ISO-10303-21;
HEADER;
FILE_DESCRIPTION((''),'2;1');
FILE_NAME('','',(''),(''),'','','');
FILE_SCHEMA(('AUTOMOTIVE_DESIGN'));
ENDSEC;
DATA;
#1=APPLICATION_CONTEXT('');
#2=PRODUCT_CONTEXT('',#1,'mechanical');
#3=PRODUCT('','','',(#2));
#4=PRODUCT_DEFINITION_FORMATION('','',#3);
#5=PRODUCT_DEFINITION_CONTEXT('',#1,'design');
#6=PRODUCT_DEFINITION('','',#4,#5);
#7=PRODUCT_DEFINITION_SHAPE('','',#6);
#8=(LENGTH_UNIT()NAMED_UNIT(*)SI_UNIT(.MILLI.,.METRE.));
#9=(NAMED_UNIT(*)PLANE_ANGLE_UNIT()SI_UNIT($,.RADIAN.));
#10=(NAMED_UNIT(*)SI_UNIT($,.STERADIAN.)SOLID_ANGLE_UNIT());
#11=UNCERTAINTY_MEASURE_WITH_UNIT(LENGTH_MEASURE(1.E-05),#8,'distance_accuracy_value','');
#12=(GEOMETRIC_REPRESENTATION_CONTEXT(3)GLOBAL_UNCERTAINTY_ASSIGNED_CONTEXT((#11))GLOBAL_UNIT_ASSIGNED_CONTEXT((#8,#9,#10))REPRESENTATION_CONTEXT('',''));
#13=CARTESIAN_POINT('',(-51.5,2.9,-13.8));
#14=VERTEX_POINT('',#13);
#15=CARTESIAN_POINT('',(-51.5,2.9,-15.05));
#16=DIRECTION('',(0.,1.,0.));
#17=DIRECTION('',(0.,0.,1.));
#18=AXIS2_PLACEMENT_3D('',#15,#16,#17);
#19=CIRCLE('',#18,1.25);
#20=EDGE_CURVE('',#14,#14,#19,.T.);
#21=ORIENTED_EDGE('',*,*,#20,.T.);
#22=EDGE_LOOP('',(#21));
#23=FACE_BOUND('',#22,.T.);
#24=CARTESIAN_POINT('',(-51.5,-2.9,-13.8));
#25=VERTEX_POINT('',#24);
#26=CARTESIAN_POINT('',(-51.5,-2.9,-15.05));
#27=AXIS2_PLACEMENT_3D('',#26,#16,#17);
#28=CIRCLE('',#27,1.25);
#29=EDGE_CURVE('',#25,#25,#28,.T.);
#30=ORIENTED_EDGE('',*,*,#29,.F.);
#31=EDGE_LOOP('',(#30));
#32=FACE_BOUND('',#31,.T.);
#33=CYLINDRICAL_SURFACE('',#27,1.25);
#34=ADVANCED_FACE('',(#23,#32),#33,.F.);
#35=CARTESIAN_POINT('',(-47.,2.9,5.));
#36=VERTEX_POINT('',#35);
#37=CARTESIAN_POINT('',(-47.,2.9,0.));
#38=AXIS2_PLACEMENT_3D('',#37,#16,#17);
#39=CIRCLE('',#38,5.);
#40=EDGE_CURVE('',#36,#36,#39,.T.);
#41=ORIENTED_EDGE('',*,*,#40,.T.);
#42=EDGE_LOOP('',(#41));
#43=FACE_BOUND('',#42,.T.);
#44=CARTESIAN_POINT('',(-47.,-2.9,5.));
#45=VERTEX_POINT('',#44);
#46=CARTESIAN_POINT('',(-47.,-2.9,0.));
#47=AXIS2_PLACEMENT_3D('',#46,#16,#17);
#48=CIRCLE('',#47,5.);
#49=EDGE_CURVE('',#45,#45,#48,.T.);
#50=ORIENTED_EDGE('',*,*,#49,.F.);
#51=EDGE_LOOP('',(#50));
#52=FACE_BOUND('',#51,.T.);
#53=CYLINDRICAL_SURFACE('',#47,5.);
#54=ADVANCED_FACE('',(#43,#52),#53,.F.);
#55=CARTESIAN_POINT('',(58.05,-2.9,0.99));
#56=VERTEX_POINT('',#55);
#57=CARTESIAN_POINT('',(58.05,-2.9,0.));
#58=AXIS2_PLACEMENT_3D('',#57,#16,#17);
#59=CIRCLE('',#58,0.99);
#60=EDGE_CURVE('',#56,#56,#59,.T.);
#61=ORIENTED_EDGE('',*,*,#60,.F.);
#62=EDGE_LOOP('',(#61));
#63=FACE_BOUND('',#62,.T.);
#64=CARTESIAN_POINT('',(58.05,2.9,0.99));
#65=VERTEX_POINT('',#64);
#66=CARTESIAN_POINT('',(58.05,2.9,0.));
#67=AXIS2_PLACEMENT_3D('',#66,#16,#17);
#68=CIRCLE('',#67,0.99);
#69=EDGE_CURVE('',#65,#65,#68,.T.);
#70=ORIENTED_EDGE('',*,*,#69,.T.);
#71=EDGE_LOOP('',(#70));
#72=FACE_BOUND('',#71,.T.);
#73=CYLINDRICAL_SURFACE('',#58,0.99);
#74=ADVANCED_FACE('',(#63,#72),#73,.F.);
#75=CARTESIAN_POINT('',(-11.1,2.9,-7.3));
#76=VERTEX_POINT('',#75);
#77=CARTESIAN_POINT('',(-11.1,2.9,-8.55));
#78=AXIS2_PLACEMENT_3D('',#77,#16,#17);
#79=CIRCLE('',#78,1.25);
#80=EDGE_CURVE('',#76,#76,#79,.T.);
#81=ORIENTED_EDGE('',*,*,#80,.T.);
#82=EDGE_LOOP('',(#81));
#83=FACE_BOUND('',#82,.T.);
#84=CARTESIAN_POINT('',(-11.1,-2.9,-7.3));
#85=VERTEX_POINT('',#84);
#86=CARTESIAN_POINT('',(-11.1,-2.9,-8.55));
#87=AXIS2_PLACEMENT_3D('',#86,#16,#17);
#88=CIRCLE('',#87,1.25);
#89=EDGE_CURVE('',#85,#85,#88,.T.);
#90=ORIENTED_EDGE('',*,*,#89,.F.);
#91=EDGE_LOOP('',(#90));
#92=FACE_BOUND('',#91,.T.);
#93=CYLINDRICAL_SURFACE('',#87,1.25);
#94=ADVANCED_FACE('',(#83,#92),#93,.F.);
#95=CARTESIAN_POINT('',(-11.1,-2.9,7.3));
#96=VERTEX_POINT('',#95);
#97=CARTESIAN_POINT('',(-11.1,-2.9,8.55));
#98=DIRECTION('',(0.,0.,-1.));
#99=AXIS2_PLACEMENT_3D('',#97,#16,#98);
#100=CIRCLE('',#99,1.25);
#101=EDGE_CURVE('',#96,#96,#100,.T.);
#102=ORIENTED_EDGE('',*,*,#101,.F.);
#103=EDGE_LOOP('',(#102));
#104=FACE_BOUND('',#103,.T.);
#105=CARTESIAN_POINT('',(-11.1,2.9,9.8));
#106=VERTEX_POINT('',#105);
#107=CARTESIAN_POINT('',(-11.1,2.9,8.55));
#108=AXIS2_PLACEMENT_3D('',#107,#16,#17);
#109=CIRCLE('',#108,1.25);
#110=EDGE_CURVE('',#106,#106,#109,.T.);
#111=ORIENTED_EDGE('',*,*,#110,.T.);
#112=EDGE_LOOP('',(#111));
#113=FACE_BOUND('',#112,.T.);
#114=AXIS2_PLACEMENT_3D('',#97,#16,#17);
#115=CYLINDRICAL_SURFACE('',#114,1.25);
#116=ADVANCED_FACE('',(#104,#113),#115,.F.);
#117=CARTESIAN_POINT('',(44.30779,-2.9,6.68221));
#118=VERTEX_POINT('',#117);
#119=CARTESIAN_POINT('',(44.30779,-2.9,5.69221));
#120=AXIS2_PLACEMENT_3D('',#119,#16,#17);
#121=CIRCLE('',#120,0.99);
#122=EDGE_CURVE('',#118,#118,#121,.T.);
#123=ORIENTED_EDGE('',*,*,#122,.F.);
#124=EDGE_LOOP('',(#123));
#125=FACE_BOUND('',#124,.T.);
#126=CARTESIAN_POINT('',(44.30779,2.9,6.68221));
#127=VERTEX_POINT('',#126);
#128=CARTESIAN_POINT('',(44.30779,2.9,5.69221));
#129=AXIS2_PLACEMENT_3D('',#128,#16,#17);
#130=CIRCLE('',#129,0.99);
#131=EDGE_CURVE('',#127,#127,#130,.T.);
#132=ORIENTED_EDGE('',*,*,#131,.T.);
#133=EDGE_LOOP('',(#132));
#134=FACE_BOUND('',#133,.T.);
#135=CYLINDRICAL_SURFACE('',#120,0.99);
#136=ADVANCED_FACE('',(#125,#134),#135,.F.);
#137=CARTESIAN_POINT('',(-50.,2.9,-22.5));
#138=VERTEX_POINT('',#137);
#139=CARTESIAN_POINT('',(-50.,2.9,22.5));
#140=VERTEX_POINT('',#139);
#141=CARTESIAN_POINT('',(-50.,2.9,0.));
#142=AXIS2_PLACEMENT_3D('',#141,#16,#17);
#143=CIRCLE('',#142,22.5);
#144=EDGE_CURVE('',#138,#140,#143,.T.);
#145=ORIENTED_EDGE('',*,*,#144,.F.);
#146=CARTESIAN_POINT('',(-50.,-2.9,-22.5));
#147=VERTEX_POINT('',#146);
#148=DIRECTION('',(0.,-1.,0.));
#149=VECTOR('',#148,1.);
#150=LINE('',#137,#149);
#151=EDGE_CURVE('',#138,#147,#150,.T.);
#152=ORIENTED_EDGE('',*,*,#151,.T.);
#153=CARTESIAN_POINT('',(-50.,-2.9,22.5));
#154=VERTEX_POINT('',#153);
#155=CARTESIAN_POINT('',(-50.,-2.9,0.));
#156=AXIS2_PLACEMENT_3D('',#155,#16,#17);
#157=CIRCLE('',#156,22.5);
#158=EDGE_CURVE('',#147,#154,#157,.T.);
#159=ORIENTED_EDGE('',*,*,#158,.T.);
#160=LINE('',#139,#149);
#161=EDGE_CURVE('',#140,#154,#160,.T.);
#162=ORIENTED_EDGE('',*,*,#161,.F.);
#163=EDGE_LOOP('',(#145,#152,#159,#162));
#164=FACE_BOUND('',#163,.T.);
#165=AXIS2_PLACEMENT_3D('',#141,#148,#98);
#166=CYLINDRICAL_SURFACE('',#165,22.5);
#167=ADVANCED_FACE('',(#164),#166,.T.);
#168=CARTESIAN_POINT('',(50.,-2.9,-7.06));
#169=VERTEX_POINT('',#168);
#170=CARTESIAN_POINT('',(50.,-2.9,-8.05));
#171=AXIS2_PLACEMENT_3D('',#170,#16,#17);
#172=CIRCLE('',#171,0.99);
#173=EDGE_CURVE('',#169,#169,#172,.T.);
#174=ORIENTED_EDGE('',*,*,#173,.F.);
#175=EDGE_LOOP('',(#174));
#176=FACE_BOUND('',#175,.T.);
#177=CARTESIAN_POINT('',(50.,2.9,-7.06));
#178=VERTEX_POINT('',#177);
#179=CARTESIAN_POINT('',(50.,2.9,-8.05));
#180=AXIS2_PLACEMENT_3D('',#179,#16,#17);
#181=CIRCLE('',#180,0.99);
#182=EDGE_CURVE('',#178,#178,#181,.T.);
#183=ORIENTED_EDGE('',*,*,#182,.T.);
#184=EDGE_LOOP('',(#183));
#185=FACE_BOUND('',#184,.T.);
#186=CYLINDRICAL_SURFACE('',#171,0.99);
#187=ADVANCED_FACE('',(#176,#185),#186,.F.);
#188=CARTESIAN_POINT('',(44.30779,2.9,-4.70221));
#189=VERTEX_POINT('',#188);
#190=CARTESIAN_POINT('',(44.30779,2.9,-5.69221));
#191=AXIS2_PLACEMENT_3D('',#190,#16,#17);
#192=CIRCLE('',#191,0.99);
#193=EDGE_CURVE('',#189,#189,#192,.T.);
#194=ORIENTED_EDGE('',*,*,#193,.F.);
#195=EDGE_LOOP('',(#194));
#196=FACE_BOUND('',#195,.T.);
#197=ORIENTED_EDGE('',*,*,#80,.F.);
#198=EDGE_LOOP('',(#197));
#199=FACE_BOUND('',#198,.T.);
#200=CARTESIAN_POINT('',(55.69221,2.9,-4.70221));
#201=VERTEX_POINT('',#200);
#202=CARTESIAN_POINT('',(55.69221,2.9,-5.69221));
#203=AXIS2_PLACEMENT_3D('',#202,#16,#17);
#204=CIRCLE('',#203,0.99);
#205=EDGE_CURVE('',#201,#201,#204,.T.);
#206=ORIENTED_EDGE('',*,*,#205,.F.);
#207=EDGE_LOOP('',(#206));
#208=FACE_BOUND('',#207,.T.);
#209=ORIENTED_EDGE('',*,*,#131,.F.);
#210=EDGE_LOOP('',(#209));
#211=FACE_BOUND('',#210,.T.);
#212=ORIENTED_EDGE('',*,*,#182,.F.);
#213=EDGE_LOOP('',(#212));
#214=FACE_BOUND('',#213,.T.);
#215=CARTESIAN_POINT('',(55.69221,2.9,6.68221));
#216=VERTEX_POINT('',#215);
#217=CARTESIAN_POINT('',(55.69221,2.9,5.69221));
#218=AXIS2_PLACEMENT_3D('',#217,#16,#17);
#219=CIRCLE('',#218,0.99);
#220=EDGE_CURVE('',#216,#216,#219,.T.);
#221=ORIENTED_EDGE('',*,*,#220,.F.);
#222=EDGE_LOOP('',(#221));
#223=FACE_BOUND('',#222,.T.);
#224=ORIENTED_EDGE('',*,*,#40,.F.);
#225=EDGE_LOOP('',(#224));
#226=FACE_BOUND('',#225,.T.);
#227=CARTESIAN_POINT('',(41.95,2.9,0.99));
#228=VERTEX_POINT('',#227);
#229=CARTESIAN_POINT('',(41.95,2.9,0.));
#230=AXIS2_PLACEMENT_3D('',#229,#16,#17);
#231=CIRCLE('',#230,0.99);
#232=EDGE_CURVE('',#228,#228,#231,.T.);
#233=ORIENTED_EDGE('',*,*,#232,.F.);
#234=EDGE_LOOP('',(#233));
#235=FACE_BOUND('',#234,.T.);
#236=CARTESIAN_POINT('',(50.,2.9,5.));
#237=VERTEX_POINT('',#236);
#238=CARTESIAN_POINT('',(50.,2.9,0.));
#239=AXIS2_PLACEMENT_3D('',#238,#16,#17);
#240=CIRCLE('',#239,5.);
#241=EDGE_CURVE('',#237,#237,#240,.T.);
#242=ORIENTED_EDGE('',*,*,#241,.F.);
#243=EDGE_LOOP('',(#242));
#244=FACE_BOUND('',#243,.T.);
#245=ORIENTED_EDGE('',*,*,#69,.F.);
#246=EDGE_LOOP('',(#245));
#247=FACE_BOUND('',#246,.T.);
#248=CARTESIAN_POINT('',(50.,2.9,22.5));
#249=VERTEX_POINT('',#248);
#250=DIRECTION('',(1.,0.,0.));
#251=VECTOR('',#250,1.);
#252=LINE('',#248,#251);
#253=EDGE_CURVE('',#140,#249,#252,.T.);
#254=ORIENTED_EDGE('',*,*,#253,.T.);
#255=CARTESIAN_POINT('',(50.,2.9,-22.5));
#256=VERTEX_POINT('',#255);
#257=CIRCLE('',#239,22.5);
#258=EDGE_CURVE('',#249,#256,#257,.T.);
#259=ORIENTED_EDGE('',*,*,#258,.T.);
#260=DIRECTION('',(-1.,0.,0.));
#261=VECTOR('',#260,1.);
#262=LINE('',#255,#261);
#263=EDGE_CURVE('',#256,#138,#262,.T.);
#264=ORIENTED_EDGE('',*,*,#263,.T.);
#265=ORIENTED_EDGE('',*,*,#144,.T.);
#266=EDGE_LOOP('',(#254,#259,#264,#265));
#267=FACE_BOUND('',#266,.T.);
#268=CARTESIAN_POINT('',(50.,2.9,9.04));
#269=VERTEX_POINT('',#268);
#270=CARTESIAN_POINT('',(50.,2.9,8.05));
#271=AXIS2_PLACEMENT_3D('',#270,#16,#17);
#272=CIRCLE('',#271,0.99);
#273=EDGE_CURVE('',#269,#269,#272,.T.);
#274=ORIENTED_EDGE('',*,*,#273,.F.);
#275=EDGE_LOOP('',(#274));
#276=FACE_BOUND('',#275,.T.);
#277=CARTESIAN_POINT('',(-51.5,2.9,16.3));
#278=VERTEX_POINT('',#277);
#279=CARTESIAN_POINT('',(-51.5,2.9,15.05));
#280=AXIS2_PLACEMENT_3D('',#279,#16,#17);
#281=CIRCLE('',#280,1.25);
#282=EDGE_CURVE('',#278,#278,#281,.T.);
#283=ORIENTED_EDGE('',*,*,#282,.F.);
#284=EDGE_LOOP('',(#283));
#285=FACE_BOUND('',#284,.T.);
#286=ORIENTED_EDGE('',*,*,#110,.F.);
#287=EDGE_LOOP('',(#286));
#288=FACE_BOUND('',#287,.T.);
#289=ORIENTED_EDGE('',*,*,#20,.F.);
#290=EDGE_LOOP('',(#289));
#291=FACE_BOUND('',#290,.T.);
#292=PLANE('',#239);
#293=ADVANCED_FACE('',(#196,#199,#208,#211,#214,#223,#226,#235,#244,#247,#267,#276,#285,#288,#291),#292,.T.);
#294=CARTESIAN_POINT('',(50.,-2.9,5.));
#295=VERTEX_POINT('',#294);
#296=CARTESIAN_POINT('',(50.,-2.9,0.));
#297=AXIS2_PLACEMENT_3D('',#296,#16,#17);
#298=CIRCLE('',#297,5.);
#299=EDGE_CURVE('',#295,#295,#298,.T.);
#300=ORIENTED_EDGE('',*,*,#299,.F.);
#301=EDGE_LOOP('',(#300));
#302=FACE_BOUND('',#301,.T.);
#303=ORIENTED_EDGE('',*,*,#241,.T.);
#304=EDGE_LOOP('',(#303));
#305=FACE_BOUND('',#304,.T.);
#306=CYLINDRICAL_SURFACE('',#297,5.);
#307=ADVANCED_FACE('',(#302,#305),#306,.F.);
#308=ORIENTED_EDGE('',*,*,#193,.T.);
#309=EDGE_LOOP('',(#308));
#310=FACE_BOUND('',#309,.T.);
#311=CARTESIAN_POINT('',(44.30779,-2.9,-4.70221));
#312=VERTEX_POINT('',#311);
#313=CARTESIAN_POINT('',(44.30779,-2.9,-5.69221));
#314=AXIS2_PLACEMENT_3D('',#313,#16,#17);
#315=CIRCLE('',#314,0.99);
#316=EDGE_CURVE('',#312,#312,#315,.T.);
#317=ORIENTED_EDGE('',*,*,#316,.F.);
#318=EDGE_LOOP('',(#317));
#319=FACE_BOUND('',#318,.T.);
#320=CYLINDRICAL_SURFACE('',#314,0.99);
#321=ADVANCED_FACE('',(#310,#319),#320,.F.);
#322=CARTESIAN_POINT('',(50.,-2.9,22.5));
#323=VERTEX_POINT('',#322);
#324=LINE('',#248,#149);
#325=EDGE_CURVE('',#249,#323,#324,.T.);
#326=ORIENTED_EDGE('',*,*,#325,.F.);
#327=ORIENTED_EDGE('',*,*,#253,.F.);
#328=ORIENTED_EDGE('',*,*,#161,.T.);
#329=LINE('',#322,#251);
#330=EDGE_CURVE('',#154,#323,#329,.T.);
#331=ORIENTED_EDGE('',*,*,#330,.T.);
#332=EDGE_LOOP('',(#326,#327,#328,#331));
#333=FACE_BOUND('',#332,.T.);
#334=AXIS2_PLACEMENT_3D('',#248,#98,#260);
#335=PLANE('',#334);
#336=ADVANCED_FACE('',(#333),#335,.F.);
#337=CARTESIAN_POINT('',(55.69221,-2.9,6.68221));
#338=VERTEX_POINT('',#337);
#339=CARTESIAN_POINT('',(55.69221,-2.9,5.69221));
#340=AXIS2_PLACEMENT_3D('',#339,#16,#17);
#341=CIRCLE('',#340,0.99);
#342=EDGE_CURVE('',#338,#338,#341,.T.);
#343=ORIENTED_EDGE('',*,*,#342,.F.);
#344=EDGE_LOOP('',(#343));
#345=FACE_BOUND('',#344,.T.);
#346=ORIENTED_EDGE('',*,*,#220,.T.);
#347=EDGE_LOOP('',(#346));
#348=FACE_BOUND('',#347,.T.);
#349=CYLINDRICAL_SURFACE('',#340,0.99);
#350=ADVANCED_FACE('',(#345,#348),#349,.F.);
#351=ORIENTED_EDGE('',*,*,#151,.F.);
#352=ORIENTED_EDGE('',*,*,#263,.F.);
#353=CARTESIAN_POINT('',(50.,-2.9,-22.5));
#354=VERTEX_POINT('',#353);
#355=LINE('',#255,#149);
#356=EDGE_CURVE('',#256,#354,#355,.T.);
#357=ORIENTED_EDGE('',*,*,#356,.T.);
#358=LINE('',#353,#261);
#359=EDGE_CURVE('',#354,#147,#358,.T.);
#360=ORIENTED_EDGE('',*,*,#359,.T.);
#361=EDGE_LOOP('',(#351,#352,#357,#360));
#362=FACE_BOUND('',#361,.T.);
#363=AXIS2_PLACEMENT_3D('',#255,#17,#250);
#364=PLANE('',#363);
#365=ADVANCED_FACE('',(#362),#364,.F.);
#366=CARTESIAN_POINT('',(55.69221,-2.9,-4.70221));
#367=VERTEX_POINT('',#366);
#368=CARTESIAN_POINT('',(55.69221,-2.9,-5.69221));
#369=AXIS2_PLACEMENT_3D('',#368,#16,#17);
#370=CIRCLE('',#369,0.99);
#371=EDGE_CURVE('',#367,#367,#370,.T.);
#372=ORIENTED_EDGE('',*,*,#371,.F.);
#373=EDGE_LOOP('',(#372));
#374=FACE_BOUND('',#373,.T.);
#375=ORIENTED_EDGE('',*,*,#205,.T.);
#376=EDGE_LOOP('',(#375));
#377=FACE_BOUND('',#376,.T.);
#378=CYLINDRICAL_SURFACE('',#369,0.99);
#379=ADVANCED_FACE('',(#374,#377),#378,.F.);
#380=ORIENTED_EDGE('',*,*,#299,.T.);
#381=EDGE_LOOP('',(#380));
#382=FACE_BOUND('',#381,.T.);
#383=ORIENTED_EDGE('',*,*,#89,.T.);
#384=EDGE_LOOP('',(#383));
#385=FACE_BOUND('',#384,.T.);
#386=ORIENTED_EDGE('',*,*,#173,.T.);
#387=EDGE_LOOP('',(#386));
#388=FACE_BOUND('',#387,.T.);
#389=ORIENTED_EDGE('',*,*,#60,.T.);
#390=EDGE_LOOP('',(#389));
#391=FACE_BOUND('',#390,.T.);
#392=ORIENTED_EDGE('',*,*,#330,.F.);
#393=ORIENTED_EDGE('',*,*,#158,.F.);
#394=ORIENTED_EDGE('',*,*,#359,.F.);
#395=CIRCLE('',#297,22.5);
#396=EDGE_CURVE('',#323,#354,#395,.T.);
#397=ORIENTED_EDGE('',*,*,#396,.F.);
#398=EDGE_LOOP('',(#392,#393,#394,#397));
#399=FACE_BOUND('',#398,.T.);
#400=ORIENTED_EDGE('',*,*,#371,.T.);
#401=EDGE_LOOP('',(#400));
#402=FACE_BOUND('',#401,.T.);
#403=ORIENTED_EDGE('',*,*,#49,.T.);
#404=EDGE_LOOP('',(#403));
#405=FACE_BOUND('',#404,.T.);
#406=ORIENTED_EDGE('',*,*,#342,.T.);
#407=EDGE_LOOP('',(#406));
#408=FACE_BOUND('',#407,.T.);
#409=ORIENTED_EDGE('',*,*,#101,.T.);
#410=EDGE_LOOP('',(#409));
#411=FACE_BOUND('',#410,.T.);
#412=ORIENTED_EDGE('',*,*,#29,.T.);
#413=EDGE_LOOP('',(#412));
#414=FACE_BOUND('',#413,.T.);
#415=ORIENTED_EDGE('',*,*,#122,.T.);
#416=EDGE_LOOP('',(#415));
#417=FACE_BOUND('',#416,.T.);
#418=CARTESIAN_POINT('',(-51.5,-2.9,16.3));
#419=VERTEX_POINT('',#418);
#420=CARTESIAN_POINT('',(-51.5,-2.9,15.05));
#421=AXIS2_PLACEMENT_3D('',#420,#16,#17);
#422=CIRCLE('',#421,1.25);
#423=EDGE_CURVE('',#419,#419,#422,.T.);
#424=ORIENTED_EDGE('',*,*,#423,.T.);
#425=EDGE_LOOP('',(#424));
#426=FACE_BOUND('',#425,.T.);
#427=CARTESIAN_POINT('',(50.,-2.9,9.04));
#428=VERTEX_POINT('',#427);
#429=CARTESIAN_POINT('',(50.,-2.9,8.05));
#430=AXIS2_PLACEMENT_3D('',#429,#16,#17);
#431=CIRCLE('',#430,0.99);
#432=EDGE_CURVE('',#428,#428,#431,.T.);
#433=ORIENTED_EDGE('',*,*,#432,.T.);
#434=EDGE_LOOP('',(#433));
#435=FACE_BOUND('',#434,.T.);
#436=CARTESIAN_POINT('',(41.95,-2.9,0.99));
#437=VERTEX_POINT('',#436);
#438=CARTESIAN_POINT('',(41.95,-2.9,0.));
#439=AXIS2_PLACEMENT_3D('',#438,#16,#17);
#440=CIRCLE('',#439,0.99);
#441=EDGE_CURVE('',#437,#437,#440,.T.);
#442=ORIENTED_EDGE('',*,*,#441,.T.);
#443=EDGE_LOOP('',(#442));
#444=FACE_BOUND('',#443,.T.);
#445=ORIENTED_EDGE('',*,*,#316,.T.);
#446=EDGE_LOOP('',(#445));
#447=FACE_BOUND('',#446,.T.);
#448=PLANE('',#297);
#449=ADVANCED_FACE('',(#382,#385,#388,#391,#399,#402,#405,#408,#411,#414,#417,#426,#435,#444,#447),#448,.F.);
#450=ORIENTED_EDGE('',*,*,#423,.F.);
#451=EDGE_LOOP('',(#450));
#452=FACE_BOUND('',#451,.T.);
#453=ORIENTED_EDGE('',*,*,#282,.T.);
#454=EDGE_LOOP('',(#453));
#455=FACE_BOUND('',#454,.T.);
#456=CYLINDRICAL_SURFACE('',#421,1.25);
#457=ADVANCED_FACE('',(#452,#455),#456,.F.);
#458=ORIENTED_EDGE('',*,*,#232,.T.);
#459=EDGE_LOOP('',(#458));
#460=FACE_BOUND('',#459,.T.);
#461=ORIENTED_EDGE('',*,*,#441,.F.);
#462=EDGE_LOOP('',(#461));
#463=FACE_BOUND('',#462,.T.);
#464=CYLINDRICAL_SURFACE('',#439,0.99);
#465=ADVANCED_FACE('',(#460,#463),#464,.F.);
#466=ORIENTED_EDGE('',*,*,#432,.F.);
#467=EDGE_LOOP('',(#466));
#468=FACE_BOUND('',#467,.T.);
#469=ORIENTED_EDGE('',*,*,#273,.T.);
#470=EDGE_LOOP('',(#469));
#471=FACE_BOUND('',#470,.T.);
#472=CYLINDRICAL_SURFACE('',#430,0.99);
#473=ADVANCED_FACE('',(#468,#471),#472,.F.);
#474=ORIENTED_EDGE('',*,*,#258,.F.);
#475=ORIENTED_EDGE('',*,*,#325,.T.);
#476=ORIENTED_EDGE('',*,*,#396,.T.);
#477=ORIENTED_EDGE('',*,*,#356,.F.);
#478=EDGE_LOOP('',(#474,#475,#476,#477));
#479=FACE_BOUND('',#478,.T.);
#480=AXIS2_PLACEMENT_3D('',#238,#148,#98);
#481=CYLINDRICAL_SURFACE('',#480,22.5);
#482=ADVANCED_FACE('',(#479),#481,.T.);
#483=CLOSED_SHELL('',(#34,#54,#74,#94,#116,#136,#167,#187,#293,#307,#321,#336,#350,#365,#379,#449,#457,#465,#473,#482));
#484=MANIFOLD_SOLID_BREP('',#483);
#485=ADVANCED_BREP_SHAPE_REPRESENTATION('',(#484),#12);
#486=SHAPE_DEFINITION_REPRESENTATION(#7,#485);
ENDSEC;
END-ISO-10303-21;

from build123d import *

# Parameters (mm, degrees)
BOSS_EXTRUDE1_DEPTH     = 2.9
CUT_EXTRUDE1_DEPTH      = 77.132384699
CUT_EXTRUDE1_DEPTH_BACK = 77.132384699
SKETCH3_R               = 0.99
SKETCH4_R               = 5
CUT_EXTRUDE2_DEPTH      = 77.132384699
CUT_EXTRUDE3_DEPTH      = 77.132384699
CUT_EXTRUDE3_DEPTH_BACK = 77.132384699
SKETCH5_R               = 1.25
SKETCH5_R_2             = 5


with BuildPart() as part:
    # Sketch2 → Boss-Extrude1 (new, symmetric)
    with BuildSketch(Plane(origin=(0, 0, 0), x_dir=(1, 0, 0), z_dir=(0, 1, 0))):
        with BuildLine():
            Line((50, -22.5), (-50, -22.5))
            ThreePointArc((-50, -22.5), (-72.5, 0), (-50, 22.5))
            Line((-50, 22.5), (50, 22.5))
            ThreePointArc((50, 22.5), (72.5, 0), (50, -22.5))
        make_face()
    extrude(amount=BOSS_EXTRUDE1_DEPTH, both=True)

    # Sketch3 → Cut-Extrude1 (cut, two sides: drawn at the far end of the back side and taken through both)
    with BuildSketch(Plane(origin=(0, 2.9, 0), x_dir=(1, 0, 0), z_dir=(0, 1, 0)).offset(-CUT_EXTRUDE1_DEPTH_BACK)):
        with Locations(Location((41.95, 0, 0), (0, 0, 270))):
            Circle(SKETCH3_R)
        with Locations(Location((44.307790411, 5.692209589, 0), (0, 0, 270))):
            Circle(SKETCH3_R)
        with Locations(Location((50, 8.05, 0), (0, 0, 270))):
            Circle(SKETCH3_R)
        with Locations(Location((55.692209589, 5.692209589, 0), (0, 0, 270))):
            Circle(SKETCH3_R)
        with Locations(Location((58.05, 0, 0), (0, 0, 270))):
            Circle(SKETCH3_R)
        with Locations(Location((55.692209589, -5.692209589, 0), (0, 0, 270))):
            Circle(SKETCH3_R)
        with Locations(Location((50, -8.05, 0), (0, 0, 270))):
            Circle(SKETCH3_R)
        with Locations(Location((44.307790411, -5.692209589, 0), (0, 0, 270))):
            Circle(SKETCH3_R)
    extrude(amount=CUT_EXTRUDE1_DEPTH + CUT_EXTRUDE1_DEPTH_BACK, mode=Mode.SUBTRACT)

    # Sketch4 → Cut-Extrude2 (cut, through all)
    with BuildSketch(Plane(origin=(0, 2.9, 0), x_dir=(1, 0, 0), z_dir=(0, 1, 0))):
        with Locations(Location((50, 0, 0), (0, 0, 270))):
            Circle(SKETCH4_R)
    extrude(amount=-CUT_EXTRUDE2_DEPTH, mode=Mode.SUBTRACT)

    # Sketch5 → Cut-Extrude3 (cut, two sides: drawn at the far end of the back side and taken through both)
    with BuildSketch(Plane(origin=(0, 2.9, 0), x_dir=(1, 0, 0), z_dir=(0, 1, 0)).offset(-CUT_EXTRUDE3_DEPTH_BACK)):
        with Locations(Location((-51.5, -15.05, 0), (0, 0, 270))):
            Circle(SKETCH5_R)
        with Locations(Location((-51.5, 15.05, 0), (0, 0, 270))):
            Circle(SKETCH5_R)
        with Locations(Location((-11.1, 8.55, 0), (0, 0, 270))):
            Circle(SKETCH5_R)
        with Locations(Location((-11.1, -8.55, 0), (0, 0, 270))):
            Circle(SKETCH5_R)
        with Locations(Location((-47, 0, 0), (0, 0, 270))):
            Circle(SKETCH5_R_2)
    extrude(amount=CUT_EXTRUDE3_DEPTH + CUT_EXTRUDE3_DEPTH_BACK, mode=Mode.SUBTRACT)


solid = part.part
